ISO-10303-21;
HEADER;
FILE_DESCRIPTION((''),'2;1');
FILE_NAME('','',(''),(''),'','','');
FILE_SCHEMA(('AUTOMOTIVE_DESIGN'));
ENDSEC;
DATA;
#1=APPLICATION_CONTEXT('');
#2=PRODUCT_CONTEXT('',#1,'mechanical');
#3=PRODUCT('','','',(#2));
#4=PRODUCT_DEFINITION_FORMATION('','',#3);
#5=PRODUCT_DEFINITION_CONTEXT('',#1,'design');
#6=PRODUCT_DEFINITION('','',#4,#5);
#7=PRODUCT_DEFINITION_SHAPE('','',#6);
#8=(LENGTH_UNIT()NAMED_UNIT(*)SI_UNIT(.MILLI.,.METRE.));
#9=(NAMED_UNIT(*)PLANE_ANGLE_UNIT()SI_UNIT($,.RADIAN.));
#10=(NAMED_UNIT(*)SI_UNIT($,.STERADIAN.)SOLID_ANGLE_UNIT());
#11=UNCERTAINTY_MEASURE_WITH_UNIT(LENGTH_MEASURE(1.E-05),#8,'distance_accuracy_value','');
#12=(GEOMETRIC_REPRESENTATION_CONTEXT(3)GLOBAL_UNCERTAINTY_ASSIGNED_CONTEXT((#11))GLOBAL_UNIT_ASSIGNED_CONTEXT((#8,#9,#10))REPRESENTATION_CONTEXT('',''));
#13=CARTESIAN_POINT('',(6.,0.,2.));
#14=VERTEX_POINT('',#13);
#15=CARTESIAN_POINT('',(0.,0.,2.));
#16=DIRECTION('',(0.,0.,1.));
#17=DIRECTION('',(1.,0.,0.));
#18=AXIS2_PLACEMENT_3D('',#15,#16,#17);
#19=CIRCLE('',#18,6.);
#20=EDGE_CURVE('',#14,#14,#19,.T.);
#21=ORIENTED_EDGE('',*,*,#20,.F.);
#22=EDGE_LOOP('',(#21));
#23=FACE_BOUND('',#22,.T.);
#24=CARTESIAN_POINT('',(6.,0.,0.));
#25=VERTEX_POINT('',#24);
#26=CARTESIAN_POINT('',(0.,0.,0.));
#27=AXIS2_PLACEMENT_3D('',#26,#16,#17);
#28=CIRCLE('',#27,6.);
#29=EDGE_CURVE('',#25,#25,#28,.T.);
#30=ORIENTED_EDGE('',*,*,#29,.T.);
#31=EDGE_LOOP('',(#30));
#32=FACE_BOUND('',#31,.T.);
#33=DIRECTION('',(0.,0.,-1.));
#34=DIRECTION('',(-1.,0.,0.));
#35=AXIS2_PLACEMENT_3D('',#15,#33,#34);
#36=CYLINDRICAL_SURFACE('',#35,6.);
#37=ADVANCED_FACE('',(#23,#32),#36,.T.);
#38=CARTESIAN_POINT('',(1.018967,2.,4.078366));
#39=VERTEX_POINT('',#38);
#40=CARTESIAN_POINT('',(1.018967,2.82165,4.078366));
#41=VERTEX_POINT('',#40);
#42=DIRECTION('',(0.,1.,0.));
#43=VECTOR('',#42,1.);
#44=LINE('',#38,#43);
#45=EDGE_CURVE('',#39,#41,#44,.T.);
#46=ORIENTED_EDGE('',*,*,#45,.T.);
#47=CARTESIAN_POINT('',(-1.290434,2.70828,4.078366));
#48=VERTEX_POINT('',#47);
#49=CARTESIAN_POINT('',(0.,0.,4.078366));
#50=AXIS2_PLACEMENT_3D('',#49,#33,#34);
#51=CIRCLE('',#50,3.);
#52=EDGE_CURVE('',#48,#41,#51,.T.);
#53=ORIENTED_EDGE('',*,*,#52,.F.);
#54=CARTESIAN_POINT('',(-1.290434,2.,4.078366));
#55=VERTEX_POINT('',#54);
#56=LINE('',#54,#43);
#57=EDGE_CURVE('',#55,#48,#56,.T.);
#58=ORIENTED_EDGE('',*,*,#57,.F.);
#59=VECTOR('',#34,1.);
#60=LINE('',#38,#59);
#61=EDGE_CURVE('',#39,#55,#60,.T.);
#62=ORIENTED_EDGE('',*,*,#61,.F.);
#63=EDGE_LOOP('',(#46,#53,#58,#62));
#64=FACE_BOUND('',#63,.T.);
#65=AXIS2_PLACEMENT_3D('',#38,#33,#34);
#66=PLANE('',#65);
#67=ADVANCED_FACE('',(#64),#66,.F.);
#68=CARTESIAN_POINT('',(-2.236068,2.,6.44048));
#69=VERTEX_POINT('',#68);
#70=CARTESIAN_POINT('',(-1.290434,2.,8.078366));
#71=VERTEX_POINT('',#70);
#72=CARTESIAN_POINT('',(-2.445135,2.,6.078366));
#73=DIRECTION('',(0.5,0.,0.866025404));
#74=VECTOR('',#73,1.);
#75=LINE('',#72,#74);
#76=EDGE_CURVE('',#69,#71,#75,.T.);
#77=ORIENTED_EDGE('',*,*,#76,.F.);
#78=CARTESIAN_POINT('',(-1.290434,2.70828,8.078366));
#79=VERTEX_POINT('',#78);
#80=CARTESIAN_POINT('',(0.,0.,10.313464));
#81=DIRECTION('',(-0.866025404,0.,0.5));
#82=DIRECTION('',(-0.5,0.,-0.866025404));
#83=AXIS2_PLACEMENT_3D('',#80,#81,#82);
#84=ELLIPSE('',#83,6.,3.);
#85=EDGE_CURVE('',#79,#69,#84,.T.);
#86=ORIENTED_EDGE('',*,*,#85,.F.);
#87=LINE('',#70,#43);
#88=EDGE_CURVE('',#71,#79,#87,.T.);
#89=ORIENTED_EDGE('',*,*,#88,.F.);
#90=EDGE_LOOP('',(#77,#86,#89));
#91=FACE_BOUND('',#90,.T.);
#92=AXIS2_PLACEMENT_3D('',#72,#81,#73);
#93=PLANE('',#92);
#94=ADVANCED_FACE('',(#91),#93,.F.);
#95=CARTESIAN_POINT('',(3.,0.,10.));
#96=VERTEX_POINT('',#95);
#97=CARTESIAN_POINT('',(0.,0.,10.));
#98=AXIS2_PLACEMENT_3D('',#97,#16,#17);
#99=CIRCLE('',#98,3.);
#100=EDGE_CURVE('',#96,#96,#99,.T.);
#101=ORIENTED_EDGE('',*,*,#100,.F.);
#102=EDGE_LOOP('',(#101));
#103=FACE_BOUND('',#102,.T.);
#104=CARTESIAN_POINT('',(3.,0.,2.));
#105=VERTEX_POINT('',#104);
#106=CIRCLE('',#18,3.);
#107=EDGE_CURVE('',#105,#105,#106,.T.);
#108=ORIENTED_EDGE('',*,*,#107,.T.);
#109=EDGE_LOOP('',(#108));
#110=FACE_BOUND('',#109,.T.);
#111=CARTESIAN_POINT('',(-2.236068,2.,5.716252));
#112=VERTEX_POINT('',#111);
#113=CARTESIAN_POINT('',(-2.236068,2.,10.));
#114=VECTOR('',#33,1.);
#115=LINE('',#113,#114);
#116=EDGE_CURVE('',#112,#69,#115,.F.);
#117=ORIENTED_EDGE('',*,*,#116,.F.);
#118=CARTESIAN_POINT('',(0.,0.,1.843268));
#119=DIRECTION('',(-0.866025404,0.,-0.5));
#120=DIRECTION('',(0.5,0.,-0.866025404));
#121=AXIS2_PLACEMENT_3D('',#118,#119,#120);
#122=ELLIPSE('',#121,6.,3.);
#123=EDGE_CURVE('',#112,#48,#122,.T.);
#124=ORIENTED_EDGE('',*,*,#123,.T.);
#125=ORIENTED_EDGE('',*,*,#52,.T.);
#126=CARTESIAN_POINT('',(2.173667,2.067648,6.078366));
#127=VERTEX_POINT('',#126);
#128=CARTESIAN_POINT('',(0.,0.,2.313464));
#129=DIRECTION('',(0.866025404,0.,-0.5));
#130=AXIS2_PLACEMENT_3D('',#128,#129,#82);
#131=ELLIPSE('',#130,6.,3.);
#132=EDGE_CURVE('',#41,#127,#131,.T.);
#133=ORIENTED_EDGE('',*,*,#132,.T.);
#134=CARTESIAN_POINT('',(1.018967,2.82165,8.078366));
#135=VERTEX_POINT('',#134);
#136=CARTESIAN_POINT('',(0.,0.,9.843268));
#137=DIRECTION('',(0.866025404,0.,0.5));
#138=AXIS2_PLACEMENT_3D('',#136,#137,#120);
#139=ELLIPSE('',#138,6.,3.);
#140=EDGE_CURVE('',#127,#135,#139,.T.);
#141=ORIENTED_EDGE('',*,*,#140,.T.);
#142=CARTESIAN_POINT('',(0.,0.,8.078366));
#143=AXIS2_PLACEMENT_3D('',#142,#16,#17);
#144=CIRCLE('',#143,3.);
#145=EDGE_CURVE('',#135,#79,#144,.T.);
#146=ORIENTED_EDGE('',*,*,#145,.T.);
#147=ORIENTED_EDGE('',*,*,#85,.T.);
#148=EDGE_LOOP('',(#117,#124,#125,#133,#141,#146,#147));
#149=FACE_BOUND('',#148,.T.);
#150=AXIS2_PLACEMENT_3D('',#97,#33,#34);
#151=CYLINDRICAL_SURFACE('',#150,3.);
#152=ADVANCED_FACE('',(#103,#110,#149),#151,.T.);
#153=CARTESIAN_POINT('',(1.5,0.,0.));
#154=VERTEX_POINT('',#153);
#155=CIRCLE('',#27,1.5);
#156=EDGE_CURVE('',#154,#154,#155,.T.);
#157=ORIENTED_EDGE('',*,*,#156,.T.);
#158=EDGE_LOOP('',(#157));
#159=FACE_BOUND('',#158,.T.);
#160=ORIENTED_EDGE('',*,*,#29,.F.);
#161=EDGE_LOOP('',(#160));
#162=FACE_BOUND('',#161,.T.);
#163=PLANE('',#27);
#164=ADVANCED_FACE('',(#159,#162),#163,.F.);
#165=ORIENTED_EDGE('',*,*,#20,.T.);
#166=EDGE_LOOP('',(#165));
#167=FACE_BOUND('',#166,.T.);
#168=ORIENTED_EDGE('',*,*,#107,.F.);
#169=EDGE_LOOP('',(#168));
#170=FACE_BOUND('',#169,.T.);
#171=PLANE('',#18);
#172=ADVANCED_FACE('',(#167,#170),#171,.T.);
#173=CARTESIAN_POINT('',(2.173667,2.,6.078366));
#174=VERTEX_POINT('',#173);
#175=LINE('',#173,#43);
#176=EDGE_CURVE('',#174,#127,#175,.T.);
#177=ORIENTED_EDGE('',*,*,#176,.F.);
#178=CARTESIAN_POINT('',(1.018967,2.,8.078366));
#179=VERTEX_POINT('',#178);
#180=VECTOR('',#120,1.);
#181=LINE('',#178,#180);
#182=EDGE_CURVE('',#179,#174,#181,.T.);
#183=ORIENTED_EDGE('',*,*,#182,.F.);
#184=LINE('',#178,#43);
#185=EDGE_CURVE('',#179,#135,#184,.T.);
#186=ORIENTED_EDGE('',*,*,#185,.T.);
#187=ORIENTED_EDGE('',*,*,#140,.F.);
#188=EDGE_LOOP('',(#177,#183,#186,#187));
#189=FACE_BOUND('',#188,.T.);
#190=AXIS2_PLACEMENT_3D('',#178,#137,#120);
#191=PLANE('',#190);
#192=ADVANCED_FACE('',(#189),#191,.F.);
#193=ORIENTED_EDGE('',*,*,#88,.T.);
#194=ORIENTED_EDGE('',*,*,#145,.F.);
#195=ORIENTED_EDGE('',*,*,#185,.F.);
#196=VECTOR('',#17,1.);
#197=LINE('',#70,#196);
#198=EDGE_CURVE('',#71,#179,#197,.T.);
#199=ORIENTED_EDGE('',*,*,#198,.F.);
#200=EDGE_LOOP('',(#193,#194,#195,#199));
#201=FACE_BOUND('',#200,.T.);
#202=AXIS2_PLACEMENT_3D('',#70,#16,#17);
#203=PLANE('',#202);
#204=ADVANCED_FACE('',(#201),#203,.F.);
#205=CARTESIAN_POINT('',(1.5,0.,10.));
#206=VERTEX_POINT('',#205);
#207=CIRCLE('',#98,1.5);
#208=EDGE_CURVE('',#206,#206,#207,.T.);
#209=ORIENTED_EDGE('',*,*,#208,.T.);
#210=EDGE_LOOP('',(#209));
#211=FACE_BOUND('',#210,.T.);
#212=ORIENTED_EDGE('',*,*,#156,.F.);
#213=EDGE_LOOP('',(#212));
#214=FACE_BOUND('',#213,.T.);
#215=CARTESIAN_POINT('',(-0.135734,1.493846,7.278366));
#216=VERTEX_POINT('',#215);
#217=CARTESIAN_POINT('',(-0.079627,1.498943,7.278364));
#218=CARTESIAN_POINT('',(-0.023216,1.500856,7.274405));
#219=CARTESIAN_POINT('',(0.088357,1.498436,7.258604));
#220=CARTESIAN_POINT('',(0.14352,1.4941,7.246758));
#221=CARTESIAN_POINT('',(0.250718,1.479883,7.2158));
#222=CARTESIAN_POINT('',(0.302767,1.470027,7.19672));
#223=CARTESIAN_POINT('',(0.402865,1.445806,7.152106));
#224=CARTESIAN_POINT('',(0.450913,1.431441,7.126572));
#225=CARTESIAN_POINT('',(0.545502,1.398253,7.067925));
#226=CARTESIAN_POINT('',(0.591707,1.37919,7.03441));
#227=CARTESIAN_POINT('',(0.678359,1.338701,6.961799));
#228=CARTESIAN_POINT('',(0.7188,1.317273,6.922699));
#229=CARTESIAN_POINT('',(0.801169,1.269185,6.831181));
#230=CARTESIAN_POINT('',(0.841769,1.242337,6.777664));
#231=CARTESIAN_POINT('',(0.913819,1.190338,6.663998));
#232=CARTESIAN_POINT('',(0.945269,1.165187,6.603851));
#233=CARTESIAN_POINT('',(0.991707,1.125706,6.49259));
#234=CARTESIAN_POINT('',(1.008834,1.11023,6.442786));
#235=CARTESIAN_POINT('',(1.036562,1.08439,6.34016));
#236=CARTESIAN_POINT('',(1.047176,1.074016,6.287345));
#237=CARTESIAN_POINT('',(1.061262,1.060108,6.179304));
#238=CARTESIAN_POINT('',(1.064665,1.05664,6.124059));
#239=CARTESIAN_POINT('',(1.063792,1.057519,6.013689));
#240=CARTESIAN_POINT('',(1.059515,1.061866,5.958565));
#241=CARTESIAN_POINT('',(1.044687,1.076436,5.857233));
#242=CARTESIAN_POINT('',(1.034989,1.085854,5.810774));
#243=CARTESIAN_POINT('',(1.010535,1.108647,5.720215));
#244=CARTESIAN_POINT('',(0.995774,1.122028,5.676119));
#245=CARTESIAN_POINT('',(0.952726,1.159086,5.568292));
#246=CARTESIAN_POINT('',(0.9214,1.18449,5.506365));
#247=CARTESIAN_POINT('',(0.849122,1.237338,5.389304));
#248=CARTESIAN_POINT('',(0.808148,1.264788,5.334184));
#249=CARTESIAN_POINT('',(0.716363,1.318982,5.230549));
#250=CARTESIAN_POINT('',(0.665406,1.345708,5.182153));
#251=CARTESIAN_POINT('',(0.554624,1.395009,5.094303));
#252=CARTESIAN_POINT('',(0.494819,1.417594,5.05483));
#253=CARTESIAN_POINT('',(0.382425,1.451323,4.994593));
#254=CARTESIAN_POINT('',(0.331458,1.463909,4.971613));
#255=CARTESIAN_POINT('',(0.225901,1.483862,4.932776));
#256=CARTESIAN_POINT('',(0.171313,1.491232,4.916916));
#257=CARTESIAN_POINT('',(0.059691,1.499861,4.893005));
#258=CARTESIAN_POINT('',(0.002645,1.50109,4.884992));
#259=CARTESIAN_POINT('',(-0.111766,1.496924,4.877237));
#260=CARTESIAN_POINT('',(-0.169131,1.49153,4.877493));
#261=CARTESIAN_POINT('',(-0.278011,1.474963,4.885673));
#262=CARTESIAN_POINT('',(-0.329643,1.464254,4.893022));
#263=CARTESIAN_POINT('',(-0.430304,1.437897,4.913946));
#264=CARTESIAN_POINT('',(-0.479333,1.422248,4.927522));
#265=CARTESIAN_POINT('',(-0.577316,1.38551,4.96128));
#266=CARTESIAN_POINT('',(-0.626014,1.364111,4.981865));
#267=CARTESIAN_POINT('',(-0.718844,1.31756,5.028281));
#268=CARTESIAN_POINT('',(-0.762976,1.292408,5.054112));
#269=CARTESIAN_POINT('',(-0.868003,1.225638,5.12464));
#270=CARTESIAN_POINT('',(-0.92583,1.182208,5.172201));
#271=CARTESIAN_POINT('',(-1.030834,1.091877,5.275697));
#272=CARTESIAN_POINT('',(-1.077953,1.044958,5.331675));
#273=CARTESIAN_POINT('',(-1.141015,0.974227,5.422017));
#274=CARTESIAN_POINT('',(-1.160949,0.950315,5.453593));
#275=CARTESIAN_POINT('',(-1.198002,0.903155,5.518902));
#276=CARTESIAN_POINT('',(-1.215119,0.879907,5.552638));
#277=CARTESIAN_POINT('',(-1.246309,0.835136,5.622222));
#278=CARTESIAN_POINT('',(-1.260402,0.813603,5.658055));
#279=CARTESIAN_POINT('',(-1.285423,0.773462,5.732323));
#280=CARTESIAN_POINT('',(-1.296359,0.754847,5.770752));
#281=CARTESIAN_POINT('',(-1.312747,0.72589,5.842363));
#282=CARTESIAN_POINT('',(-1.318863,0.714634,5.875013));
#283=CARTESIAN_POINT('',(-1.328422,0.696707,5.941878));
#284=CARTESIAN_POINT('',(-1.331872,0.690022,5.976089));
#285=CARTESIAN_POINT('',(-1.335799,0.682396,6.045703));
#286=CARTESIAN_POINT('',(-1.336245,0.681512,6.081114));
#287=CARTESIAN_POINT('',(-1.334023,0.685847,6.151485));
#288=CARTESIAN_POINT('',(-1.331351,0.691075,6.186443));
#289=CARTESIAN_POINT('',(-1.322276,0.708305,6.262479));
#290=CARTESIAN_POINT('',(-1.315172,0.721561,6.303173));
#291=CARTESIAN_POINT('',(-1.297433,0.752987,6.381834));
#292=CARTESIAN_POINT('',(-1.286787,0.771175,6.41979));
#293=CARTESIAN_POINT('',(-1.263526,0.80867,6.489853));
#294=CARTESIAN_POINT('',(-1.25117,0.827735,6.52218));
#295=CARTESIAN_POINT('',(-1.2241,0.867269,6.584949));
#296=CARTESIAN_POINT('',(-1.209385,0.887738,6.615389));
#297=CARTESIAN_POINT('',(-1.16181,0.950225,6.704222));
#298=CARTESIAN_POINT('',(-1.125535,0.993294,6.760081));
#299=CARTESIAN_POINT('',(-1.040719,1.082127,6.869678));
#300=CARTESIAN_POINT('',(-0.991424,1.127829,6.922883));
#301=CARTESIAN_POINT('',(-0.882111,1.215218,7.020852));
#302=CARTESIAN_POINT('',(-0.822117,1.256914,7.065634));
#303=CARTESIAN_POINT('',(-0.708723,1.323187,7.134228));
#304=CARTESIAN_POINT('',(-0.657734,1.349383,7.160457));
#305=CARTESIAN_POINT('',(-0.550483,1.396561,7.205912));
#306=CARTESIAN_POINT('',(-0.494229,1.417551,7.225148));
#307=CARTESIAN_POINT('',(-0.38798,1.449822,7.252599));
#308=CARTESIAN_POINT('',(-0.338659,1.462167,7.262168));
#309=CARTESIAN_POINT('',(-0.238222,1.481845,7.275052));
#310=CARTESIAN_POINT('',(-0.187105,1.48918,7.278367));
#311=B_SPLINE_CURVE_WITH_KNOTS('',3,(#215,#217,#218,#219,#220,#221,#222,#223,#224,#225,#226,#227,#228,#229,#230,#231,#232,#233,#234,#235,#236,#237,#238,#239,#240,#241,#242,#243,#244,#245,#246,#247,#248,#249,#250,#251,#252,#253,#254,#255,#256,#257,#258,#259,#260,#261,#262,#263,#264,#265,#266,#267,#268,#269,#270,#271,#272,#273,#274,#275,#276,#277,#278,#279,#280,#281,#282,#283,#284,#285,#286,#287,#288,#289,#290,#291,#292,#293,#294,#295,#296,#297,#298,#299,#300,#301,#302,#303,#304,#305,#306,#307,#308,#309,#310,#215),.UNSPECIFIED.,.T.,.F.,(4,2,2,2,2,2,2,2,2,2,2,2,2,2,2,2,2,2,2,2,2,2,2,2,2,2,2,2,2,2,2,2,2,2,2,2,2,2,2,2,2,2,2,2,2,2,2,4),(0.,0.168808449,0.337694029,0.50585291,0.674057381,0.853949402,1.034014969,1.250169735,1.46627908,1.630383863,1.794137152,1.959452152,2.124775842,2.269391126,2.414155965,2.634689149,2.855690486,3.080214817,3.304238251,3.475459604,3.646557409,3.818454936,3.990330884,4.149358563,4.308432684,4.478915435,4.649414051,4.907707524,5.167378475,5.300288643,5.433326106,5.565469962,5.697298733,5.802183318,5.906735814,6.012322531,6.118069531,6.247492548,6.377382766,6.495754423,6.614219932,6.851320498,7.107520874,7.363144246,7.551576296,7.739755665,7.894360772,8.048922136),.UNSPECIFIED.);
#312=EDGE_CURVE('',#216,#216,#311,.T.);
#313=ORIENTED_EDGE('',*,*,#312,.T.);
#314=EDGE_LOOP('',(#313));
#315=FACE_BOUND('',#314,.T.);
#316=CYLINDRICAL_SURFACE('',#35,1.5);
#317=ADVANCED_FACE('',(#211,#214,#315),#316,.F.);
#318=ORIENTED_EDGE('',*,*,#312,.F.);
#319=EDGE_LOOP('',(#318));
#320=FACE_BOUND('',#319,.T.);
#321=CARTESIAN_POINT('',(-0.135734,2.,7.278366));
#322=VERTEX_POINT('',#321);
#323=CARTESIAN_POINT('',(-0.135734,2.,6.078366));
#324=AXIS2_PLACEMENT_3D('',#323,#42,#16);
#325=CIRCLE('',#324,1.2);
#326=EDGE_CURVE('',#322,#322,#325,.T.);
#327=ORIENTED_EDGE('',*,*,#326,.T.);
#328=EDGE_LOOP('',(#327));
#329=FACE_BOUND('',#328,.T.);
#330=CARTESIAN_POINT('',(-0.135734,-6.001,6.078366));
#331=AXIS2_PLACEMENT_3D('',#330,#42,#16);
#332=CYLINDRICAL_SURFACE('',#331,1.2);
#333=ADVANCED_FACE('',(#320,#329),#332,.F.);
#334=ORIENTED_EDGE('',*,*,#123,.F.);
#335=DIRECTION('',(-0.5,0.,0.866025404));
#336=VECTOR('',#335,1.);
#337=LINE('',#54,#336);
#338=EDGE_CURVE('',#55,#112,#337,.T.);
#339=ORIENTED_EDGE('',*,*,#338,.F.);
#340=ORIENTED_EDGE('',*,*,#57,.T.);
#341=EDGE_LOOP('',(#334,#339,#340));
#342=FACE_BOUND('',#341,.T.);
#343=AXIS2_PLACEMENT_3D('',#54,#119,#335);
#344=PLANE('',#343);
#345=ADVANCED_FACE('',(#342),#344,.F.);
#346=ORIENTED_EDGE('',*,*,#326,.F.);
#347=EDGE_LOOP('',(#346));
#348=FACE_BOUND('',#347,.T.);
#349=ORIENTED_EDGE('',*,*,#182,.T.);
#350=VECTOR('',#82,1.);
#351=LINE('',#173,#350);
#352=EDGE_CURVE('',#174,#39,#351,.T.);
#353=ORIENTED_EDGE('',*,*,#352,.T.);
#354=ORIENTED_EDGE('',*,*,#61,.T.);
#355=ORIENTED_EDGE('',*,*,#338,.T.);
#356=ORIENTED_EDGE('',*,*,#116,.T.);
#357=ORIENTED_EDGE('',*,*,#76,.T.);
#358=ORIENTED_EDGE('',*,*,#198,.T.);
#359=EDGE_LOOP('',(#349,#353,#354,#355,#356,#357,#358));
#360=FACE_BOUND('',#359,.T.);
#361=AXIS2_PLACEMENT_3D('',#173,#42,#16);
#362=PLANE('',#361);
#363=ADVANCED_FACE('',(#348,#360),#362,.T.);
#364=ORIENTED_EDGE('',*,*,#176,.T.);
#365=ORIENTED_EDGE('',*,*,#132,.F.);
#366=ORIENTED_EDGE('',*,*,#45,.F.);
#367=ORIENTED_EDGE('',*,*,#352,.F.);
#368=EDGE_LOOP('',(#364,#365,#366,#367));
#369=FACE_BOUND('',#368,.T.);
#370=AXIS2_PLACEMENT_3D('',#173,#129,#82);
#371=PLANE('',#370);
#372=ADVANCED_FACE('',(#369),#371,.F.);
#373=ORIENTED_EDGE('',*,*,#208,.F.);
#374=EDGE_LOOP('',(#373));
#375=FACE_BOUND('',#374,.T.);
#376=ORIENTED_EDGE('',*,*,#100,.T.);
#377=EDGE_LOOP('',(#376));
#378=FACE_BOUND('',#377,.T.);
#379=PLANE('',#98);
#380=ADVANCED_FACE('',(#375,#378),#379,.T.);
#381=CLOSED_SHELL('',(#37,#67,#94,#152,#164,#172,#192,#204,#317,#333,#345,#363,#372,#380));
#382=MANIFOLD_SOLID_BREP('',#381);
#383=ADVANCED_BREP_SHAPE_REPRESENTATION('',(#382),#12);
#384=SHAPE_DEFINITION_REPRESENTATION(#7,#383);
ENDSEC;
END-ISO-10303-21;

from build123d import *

# Parameters (mm, degrees)
SKETCH1_R               = 6
SKETCH1_R_2             = 1.5
BOSS_EXTRUDE1_DEPTH     = 2
SKETCH2_R               = 3
SKETCH2_R_2             = 1.5
BOSS_EXTRUDE2_DEPTH     = 8
CUT_EXTRUDE1_REACH      = 17.362
CUT_EXTRUDE1_END_RADIUS = 1.5
SKETCH3_R               = 1.2
SKETCH3_3_R             = 1.2
CUT_EXTRUDE2_DEPTH      = 2


with BuildPart() as part:
    # Sketch1 → Boss-Extrude1 (new body)
    with BuildSketch(Plane.XY):
        Circle(SKETCH1_R)
        Circle(SKETCH1_R_2, mode=Mode.SUBTRACT)
    extrude(amount=BOSS_EXTRUDE1_DEPTH)

    # Sketch2 → Boss-Extrude2 (add)
    with BuildSketch(Plane.XY.offset(2)):
        Circle(SKETCH2_R)
        Circle(SKETCH2_R_2, mode=Mode.SUBTRACT)
    extrude(amount=BOSS_EXTRUDE2_DEPTH)

    # Cut-Extrude1: up to this cylinder (the profile starts outside it)
    cut_extrude1_end = Plane(origin=(0, 0, 6.078366), z_dir=(0, 0, -1)) * Cylinder(CUT_EXTRUDE1_END_RADIUS, 38.724, mode=Mode.PRIVATE)
    # Sketch3 → Cut-Extrude1 (cut, up to the surface)
    with BuildSketch(Plane(origin=(0, 4, 0), x_dir=(-1, 0, 0), z_dir=(0, 1, 0)), mode=Mode.PRIVATE) as cut_extrude1_sk1:
        with Locations(Location((0.135733681, 6.078365877, 0), (0, 0, 90))):
            Circle(SKETCH3_R)
    cut_extrude1_tool1 = extrude(cut_extrude1_sk1.sketch, amount=-CUT_EXTRUDE1_REACH, mode=Mode.PRIVATE) - cut_extrude1_end
    add(cut_extrude1_tool1.solids().sort_by_distance((-0.135734, 4, 6.078366))[0], mode=Mode.SUBTRACT)

    # Sketch3_3 → Cut-Extrude2 (cut)
    with BuildSketch(Plane(origin=(0, 4, 0), x_dir=(-1, 0, 0), z_dir=(0, 1, 0))):
        Polygon((-2.173667395, 6.078365877), (-1.018966857, 4.078365877), (1.29043422, 4.078365877), (2.445134758, 6.078365877), (1.29043422, 8.078365877), (-1.018966857, 8.078365877), align=None)
        with Locations(Location((0.135733681, 6.078365877, 0), (0, 0, 90))):
            Circle(SKETCH3_3_R, mode=Mode.SUBTRACT)
    extrude(amount=-CUT_EXTRUDE2_DEPTH, mode=Mode.SUBTRACT)


solid = part.part
